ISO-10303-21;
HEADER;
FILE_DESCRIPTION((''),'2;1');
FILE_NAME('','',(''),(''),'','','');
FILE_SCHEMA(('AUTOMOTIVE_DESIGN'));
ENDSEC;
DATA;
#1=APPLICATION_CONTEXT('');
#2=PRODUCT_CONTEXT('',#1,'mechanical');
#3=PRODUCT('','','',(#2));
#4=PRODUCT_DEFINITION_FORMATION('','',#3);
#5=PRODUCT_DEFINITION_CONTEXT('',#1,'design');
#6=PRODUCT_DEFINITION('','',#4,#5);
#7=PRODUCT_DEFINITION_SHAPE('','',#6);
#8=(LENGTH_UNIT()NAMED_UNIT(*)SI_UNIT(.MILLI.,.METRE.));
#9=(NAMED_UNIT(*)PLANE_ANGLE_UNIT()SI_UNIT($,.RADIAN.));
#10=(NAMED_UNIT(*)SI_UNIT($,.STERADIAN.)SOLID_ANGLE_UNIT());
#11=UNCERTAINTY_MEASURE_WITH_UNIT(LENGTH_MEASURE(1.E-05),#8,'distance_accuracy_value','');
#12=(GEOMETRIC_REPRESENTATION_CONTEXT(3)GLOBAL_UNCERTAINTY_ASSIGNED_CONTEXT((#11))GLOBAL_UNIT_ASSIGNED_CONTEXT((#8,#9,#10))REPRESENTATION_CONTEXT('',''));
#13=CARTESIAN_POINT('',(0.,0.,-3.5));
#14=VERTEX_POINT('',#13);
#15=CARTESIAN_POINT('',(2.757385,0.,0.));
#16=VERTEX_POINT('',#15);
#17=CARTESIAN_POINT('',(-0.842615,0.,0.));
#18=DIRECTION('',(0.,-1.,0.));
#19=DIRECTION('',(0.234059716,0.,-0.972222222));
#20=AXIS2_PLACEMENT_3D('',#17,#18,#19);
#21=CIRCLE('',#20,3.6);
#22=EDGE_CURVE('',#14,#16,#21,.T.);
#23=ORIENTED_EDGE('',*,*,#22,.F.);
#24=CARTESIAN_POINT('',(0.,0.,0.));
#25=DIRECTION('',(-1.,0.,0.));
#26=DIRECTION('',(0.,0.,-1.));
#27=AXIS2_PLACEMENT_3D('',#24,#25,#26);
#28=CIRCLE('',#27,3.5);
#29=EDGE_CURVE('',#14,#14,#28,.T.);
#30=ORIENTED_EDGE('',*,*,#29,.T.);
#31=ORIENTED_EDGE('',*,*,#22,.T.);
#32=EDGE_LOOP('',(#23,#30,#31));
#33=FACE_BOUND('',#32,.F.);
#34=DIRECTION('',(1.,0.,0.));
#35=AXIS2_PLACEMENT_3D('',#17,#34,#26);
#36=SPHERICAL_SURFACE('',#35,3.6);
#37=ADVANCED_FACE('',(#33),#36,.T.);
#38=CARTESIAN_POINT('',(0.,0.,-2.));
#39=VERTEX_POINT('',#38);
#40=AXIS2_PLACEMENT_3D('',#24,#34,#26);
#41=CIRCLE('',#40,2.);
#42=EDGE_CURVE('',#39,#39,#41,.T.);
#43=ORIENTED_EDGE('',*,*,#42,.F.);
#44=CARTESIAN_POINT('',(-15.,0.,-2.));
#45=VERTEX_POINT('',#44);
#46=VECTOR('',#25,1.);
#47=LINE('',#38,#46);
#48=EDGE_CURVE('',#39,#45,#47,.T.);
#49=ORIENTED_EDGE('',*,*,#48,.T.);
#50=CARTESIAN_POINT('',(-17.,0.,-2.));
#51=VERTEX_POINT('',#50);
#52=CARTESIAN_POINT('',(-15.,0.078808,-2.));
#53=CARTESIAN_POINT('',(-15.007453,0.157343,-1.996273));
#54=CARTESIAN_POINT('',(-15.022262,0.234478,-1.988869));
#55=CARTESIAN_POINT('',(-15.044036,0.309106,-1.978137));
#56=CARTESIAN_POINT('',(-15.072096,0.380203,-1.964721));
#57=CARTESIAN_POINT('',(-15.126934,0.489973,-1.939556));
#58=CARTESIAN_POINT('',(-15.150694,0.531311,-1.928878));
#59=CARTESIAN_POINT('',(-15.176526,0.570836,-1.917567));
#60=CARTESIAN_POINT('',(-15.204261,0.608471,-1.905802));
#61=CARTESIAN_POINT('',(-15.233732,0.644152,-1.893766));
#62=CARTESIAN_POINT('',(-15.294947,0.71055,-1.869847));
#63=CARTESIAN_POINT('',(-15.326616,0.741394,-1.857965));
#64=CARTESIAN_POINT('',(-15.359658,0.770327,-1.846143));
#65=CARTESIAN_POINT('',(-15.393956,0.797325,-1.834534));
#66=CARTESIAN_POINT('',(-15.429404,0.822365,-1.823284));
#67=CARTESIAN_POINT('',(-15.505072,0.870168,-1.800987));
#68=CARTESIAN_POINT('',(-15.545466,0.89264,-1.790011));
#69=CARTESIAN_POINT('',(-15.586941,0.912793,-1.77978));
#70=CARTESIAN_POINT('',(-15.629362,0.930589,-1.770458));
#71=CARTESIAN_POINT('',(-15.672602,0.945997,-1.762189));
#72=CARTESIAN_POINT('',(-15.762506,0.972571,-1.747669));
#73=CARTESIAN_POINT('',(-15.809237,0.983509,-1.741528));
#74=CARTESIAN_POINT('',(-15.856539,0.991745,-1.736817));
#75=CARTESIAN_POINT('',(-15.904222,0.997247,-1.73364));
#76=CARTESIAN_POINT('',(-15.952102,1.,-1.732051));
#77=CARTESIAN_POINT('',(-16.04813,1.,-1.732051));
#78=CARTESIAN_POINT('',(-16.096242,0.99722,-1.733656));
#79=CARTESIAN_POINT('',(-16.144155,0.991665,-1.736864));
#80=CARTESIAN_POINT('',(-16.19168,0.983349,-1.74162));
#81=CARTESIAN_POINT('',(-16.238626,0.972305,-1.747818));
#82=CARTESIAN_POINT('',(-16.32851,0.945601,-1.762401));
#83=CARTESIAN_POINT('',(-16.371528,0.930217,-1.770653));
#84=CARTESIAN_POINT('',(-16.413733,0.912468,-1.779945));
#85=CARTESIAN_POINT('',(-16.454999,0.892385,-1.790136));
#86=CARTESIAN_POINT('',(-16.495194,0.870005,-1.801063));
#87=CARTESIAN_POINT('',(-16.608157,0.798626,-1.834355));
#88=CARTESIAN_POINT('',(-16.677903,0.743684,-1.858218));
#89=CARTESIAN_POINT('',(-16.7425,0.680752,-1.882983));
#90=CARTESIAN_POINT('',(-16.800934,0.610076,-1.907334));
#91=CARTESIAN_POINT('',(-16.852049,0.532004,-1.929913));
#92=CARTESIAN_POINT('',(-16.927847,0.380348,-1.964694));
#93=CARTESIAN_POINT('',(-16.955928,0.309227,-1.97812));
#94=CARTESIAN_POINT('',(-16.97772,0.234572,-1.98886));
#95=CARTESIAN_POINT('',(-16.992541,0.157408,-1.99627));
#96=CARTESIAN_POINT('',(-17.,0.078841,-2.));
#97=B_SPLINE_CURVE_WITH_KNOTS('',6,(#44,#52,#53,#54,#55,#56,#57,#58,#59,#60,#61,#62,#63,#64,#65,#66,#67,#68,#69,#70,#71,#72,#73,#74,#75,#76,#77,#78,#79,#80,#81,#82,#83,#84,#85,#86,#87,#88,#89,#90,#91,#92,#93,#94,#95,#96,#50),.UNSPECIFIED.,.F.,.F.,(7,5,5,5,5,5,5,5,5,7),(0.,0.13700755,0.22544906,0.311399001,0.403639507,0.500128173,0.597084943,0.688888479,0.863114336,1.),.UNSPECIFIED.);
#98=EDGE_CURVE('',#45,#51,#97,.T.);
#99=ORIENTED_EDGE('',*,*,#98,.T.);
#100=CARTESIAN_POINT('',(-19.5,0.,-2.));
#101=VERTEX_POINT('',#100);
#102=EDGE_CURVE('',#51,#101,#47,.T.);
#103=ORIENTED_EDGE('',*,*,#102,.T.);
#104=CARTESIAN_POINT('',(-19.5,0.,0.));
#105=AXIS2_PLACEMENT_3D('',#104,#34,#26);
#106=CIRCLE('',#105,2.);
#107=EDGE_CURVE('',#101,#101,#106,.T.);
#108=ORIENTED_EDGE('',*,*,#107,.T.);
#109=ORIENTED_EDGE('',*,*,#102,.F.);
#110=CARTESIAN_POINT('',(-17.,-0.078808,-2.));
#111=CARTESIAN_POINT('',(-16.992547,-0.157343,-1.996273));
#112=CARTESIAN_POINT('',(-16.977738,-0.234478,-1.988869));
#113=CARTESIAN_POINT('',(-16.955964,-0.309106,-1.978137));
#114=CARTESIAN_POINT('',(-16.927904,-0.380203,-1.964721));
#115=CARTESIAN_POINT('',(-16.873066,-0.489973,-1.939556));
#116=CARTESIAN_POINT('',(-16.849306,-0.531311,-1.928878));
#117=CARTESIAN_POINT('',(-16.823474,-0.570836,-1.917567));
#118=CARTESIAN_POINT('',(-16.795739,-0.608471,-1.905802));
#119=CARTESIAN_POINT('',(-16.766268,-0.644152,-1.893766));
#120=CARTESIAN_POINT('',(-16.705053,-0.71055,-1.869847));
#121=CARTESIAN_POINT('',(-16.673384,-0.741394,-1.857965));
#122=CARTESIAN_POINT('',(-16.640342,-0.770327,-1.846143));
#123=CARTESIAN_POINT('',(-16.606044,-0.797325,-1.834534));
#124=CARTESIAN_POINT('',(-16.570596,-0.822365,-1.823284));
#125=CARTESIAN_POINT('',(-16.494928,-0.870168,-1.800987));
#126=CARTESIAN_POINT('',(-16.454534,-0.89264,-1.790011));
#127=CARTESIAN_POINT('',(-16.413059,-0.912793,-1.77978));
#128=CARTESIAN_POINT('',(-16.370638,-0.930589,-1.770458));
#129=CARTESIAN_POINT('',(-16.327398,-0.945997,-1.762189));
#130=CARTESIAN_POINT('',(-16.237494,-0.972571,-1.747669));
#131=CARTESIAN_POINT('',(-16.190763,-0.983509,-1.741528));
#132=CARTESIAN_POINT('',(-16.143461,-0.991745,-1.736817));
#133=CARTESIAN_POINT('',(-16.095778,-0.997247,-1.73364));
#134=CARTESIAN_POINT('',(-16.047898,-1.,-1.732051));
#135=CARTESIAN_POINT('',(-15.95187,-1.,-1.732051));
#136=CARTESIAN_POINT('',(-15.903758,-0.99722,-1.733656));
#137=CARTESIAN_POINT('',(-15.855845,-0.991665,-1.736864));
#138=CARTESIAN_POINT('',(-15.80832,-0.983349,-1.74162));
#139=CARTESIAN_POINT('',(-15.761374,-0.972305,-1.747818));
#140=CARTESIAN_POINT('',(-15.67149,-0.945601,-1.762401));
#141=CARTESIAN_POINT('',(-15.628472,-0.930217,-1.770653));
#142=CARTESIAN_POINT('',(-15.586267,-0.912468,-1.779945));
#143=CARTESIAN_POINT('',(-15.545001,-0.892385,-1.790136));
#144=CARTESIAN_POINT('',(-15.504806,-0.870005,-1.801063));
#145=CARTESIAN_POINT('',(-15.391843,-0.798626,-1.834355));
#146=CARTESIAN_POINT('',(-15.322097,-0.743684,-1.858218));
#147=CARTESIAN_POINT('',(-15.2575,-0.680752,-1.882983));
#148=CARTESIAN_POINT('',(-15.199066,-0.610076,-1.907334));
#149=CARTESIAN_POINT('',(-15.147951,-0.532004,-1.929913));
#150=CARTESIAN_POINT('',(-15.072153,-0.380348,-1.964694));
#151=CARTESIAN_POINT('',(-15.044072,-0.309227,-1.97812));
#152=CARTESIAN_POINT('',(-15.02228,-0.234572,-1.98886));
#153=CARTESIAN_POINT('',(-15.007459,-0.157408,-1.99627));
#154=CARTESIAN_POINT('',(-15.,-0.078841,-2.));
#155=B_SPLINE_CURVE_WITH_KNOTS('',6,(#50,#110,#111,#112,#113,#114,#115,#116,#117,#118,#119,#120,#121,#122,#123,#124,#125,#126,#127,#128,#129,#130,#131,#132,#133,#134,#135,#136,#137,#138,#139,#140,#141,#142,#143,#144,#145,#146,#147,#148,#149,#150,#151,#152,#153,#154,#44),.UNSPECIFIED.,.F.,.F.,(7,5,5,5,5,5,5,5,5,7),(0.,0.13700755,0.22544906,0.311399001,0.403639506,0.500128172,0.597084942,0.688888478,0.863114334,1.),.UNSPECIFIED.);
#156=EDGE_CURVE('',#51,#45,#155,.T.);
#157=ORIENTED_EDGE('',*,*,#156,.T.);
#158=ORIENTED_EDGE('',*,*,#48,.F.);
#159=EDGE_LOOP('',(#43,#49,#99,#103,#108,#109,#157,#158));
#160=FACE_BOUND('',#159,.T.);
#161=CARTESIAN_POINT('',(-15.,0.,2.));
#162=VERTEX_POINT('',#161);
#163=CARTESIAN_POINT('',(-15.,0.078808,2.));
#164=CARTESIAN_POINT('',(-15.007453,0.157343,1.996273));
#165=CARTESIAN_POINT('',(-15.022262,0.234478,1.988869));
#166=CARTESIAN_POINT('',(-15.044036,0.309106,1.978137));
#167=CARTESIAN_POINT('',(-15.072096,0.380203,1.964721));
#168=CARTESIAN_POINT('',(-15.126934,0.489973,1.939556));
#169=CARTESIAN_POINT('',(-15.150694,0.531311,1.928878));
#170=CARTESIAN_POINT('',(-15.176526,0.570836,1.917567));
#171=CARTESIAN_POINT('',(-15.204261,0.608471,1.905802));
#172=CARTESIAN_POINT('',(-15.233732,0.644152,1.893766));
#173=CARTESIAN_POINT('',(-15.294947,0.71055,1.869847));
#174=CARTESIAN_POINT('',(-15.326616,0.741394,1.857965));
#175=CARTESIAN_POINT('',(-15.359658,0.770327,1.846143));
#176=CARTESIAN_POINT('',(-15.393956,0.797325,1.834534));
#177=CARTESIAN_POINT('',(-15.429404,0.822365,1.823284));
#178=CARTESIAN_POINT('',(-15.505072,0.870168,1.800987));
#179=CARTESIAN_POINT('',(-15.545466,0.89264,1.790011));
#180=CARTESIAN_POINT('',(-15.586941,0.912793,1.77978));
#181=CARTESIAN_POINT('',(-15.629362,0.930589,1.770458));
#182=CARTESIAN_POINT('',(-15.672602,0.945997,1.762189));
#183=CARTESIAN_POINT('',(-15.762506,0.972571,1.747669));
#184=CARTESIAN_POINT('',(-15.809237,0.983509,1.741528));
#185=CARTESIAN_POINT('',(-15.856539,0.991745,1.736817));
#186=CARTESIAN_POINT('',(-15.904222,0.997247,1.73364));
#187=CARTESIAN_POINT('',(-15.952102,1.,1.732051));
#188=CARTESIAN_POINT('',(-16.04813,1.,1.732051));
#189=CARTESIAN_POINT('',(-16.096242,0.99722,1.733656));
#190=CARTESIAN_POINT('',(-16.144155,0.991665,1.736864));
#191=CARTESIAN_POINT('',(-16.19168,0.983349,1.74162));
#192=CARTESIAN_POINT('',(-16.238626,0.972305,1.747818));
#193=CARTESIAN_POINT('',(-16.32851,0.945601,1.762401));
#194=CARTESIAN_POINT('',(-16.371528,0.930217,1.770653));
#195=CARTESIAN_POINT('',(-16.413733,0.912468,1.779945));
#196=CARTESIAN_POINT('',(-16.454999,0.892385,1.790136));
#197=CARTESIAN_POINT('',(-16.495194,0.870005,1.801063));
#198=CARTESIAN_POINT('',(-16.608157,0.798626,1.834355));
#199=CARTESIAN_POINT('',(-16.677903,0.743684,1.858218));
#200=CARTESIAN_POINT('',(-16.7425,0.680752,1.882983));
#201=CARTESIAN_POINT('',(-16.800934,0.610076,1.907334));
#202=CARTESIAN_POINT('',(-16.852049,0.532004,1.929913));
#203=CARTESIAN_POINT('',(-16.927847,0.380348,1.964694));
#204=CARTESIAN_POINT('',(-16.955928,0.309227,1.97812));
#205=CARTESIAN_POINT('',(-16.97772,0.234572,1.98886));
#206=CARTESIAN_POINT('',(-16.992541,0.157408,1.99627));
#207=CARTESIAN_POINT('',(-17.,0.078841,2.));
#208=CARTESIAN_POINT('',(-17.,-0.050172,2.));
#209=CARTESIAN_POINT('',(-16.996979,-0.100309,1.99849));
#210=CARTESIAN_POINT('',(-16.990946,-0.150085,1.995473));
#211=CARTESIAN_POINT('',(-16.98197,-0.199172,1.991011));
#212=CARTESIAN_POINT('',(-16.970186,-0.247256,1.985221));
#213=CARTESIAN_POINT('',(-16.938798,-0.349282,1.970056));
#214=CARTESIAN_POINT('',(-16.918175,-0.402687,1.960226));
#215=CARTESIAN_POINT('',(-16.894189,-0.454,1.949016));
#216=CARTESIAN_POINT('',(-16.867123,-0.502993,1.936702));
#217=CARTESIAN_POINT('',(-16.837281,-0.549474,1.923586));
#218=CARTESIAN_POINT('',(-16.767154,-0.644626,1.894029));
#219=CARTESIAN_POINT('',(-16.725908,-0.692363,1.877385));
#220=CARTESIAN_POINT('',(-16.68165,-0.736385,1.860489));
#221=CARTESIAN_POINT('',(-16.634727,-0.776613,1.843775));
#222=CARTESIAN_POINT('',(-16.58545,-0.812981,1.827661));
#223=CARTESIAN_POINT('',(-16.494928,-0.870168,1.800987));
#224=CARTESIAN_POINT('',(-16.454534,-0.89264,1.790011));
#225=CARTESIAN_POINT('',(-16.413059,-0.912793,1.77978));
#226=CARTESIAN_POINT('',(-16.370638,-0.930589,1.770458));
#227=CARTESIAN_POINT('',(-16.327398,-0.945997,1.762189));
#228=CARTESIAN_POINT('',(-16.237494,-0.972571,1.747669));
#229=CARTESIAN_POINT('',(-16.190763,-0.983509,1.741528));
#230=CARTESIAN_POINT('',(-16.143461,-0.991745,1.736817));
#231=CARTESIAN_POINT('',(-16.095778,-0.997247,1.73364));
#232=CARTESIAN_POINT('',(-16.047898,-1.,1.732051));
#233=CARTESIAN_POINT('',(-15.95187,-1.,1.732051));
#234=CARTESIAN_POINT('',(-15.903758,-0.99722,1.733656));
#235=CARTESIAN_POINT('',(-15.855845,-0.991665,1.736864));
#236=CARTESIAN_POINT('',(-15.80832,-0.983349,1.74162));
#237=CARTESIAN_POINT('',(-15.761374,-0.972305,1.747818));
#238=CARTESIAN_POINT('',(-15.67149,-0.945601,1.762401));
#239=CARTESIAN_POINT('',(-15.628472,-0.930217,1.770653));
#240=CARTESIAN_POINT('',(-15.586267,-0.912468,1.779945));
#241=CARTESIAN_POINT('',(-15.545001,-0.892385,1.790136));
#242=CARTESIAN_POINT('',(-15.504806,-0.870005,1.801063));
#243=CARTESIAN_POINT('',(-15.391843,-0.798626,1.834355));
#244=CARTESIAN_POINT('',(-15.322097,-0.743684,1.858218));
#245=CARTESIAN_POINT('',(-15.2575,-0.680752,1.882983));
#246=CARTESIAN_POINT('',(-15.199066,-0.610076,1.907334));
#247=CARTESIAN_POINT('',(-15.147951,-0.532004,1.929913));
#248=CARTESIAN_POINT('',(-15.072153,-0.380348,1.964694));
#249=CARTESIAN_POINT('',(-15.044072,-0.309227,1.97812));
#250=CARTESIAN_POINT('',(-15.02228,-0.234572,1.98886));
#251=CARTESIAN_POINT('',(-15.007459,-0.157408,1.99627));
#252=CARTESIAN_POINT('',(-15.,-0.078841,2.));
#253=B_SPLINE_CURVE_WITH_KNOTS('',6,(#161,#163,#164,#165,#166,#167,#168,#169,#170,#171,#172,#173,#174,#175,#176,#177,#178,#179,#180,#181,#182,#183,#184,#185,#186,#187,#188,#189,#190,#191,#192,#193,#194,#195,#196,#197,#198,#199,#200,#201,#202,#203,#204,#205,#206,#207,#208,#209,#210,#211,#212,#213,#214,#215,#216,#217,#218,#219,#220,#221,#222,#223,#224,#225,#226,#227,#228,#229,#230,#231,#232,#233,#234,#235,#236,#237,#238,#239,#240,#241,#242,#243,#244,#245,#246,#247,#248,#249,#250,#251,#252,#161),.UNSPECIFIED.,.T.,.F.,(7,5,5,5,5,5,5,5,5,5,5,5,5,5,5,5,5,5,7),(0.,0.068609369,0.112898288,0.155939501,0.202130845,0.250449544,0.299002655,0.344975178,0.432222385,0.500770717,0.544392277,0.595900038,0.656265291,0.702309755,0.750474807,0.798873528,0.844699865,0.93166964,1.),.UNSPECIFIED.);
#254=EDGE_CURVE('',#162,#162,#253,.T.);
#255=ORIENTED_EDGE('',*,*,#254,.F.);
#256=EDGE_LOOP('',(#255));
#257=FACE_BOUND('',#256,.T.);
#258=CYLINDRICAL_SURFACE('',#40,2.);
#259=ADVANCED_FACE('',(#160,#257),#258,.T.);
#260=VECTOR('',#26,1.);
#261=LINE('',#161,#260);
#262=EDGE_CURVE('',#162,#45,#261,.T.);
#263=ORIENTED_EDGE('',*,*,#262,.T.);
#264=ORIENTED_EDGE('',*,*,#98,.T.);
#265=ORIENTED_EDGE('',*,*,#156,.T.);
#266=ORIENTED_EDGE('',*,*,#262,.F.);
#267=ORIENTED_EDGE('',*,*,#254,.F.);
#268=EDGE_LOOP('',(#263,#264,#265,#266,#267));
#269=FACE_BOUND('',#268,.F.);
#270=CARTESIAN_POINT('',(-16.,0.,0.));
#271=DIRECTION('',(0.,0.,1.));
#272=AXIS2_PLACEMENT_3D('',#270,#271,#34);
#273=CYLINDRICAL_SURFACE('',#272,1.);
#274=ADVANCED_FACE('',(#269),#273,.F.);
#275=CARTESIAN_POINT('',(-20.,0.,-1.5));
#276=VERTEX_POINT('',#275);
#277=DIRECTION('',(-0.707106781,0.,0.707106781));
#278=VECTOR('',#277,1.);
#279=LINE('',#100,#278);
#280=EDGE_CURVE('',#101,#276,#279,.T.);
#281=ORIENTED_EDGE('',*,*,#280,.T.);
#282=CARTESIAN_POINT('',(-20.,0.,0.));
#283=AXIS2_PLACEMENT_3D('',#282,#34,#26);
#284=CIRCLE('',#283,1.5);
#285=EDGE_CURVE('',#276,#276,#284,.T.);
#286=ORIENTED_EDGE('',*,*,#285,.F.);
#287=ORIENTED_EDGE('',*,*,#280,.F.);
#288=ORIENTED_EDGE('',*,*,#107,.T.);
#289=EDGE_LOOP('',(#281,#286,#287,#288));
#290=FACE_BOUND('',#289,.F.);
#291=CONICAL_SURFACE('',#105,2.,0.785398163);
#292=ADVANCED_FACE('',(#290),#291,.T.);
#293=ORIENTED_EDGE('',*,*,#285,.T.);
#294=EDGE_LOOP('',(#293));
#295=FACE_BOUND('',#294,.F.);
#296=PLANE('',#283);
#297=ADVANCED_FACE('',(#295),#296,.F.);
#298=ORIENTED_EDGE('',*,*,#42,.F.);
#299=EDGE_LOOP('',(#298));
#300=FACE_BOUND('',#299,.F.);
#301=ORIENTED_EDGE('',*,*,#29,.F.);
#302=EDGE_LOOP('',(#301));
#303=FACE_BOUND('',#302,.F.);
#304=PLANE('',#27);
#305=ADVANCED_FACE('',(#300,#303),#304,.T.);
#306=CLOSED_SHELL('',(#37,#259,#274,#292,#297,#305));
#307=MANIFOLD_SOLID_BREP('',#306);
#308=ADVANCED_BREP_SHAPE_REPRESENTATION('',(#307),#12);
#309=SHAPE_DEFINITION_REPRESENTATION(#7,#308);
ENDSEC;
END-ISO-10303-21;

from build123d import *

# Parameters (mm, degrees)
SKETCH1_R               = 2
BOSS_EXTRUDE1_DEPTH     = 20
SKETCH2_R               = 1
CUT_EXTRUDE1_DEPTH      = 3
CUT_EXTRUDE1_DEPTH_BACK = 3
CHAMFER1_SIZE           = 0.5


with BuildPart() as part:
    # Sketch1 → Boss-Extrude1 (new body)
    with BuildSketch(Plane(origin=(0, 0, 0), x_dir=(0, 0, -1), z_dir=(1, 0, 0))):
        Circle(SKETCH1_R)
    extrude(amount=-BOSS_EXTRUDE1_DEPTH)

    # Sketch2 → Cut-Extrude1 (cut, two sides)
    with BuildSketch(Plane.XY) as cut_extrude1_sk:
        with Locations((-16, 0)):
            Circle(SKETCH2_R)
    extrude(amount=CUT_EXTRUDE1_DEPTH, mode=Mode.SUBTRACT)
    extrude(cut_extrude1_sk.sketch, amount=-CUT_EXTRUDE1_DEPTH_BACK, mode=Mode.SUBTRACT)

    # Chamfer1
    chamfer1_edges = [part.edges().sort_by_distance(p)[0] for p in [
        (-20, 0, 2),
    ]]
    chamfer(chamfer1_edges, length=CHAMFER1_SIZE)

    # Sketch3 → Revolve1 (revolve)
    with BuildSketch(Plane(origin=(0, 0, 0), x_dir=(1, 0, 0), z_dir=(0, 1, 0))):
        with BuildLine():
            Line((2.757385023, 0), (0, 0))
            Line((0, 0), (0, 3.5))
            ThreePointArc((0, 3.5), (1.985229955, 2.227844932), (2.757385023, 0))
        make_face()
    revolve(axis=Axis((3.35333719, 0, 0), (-1, 0, 0)))


solid = part.part
